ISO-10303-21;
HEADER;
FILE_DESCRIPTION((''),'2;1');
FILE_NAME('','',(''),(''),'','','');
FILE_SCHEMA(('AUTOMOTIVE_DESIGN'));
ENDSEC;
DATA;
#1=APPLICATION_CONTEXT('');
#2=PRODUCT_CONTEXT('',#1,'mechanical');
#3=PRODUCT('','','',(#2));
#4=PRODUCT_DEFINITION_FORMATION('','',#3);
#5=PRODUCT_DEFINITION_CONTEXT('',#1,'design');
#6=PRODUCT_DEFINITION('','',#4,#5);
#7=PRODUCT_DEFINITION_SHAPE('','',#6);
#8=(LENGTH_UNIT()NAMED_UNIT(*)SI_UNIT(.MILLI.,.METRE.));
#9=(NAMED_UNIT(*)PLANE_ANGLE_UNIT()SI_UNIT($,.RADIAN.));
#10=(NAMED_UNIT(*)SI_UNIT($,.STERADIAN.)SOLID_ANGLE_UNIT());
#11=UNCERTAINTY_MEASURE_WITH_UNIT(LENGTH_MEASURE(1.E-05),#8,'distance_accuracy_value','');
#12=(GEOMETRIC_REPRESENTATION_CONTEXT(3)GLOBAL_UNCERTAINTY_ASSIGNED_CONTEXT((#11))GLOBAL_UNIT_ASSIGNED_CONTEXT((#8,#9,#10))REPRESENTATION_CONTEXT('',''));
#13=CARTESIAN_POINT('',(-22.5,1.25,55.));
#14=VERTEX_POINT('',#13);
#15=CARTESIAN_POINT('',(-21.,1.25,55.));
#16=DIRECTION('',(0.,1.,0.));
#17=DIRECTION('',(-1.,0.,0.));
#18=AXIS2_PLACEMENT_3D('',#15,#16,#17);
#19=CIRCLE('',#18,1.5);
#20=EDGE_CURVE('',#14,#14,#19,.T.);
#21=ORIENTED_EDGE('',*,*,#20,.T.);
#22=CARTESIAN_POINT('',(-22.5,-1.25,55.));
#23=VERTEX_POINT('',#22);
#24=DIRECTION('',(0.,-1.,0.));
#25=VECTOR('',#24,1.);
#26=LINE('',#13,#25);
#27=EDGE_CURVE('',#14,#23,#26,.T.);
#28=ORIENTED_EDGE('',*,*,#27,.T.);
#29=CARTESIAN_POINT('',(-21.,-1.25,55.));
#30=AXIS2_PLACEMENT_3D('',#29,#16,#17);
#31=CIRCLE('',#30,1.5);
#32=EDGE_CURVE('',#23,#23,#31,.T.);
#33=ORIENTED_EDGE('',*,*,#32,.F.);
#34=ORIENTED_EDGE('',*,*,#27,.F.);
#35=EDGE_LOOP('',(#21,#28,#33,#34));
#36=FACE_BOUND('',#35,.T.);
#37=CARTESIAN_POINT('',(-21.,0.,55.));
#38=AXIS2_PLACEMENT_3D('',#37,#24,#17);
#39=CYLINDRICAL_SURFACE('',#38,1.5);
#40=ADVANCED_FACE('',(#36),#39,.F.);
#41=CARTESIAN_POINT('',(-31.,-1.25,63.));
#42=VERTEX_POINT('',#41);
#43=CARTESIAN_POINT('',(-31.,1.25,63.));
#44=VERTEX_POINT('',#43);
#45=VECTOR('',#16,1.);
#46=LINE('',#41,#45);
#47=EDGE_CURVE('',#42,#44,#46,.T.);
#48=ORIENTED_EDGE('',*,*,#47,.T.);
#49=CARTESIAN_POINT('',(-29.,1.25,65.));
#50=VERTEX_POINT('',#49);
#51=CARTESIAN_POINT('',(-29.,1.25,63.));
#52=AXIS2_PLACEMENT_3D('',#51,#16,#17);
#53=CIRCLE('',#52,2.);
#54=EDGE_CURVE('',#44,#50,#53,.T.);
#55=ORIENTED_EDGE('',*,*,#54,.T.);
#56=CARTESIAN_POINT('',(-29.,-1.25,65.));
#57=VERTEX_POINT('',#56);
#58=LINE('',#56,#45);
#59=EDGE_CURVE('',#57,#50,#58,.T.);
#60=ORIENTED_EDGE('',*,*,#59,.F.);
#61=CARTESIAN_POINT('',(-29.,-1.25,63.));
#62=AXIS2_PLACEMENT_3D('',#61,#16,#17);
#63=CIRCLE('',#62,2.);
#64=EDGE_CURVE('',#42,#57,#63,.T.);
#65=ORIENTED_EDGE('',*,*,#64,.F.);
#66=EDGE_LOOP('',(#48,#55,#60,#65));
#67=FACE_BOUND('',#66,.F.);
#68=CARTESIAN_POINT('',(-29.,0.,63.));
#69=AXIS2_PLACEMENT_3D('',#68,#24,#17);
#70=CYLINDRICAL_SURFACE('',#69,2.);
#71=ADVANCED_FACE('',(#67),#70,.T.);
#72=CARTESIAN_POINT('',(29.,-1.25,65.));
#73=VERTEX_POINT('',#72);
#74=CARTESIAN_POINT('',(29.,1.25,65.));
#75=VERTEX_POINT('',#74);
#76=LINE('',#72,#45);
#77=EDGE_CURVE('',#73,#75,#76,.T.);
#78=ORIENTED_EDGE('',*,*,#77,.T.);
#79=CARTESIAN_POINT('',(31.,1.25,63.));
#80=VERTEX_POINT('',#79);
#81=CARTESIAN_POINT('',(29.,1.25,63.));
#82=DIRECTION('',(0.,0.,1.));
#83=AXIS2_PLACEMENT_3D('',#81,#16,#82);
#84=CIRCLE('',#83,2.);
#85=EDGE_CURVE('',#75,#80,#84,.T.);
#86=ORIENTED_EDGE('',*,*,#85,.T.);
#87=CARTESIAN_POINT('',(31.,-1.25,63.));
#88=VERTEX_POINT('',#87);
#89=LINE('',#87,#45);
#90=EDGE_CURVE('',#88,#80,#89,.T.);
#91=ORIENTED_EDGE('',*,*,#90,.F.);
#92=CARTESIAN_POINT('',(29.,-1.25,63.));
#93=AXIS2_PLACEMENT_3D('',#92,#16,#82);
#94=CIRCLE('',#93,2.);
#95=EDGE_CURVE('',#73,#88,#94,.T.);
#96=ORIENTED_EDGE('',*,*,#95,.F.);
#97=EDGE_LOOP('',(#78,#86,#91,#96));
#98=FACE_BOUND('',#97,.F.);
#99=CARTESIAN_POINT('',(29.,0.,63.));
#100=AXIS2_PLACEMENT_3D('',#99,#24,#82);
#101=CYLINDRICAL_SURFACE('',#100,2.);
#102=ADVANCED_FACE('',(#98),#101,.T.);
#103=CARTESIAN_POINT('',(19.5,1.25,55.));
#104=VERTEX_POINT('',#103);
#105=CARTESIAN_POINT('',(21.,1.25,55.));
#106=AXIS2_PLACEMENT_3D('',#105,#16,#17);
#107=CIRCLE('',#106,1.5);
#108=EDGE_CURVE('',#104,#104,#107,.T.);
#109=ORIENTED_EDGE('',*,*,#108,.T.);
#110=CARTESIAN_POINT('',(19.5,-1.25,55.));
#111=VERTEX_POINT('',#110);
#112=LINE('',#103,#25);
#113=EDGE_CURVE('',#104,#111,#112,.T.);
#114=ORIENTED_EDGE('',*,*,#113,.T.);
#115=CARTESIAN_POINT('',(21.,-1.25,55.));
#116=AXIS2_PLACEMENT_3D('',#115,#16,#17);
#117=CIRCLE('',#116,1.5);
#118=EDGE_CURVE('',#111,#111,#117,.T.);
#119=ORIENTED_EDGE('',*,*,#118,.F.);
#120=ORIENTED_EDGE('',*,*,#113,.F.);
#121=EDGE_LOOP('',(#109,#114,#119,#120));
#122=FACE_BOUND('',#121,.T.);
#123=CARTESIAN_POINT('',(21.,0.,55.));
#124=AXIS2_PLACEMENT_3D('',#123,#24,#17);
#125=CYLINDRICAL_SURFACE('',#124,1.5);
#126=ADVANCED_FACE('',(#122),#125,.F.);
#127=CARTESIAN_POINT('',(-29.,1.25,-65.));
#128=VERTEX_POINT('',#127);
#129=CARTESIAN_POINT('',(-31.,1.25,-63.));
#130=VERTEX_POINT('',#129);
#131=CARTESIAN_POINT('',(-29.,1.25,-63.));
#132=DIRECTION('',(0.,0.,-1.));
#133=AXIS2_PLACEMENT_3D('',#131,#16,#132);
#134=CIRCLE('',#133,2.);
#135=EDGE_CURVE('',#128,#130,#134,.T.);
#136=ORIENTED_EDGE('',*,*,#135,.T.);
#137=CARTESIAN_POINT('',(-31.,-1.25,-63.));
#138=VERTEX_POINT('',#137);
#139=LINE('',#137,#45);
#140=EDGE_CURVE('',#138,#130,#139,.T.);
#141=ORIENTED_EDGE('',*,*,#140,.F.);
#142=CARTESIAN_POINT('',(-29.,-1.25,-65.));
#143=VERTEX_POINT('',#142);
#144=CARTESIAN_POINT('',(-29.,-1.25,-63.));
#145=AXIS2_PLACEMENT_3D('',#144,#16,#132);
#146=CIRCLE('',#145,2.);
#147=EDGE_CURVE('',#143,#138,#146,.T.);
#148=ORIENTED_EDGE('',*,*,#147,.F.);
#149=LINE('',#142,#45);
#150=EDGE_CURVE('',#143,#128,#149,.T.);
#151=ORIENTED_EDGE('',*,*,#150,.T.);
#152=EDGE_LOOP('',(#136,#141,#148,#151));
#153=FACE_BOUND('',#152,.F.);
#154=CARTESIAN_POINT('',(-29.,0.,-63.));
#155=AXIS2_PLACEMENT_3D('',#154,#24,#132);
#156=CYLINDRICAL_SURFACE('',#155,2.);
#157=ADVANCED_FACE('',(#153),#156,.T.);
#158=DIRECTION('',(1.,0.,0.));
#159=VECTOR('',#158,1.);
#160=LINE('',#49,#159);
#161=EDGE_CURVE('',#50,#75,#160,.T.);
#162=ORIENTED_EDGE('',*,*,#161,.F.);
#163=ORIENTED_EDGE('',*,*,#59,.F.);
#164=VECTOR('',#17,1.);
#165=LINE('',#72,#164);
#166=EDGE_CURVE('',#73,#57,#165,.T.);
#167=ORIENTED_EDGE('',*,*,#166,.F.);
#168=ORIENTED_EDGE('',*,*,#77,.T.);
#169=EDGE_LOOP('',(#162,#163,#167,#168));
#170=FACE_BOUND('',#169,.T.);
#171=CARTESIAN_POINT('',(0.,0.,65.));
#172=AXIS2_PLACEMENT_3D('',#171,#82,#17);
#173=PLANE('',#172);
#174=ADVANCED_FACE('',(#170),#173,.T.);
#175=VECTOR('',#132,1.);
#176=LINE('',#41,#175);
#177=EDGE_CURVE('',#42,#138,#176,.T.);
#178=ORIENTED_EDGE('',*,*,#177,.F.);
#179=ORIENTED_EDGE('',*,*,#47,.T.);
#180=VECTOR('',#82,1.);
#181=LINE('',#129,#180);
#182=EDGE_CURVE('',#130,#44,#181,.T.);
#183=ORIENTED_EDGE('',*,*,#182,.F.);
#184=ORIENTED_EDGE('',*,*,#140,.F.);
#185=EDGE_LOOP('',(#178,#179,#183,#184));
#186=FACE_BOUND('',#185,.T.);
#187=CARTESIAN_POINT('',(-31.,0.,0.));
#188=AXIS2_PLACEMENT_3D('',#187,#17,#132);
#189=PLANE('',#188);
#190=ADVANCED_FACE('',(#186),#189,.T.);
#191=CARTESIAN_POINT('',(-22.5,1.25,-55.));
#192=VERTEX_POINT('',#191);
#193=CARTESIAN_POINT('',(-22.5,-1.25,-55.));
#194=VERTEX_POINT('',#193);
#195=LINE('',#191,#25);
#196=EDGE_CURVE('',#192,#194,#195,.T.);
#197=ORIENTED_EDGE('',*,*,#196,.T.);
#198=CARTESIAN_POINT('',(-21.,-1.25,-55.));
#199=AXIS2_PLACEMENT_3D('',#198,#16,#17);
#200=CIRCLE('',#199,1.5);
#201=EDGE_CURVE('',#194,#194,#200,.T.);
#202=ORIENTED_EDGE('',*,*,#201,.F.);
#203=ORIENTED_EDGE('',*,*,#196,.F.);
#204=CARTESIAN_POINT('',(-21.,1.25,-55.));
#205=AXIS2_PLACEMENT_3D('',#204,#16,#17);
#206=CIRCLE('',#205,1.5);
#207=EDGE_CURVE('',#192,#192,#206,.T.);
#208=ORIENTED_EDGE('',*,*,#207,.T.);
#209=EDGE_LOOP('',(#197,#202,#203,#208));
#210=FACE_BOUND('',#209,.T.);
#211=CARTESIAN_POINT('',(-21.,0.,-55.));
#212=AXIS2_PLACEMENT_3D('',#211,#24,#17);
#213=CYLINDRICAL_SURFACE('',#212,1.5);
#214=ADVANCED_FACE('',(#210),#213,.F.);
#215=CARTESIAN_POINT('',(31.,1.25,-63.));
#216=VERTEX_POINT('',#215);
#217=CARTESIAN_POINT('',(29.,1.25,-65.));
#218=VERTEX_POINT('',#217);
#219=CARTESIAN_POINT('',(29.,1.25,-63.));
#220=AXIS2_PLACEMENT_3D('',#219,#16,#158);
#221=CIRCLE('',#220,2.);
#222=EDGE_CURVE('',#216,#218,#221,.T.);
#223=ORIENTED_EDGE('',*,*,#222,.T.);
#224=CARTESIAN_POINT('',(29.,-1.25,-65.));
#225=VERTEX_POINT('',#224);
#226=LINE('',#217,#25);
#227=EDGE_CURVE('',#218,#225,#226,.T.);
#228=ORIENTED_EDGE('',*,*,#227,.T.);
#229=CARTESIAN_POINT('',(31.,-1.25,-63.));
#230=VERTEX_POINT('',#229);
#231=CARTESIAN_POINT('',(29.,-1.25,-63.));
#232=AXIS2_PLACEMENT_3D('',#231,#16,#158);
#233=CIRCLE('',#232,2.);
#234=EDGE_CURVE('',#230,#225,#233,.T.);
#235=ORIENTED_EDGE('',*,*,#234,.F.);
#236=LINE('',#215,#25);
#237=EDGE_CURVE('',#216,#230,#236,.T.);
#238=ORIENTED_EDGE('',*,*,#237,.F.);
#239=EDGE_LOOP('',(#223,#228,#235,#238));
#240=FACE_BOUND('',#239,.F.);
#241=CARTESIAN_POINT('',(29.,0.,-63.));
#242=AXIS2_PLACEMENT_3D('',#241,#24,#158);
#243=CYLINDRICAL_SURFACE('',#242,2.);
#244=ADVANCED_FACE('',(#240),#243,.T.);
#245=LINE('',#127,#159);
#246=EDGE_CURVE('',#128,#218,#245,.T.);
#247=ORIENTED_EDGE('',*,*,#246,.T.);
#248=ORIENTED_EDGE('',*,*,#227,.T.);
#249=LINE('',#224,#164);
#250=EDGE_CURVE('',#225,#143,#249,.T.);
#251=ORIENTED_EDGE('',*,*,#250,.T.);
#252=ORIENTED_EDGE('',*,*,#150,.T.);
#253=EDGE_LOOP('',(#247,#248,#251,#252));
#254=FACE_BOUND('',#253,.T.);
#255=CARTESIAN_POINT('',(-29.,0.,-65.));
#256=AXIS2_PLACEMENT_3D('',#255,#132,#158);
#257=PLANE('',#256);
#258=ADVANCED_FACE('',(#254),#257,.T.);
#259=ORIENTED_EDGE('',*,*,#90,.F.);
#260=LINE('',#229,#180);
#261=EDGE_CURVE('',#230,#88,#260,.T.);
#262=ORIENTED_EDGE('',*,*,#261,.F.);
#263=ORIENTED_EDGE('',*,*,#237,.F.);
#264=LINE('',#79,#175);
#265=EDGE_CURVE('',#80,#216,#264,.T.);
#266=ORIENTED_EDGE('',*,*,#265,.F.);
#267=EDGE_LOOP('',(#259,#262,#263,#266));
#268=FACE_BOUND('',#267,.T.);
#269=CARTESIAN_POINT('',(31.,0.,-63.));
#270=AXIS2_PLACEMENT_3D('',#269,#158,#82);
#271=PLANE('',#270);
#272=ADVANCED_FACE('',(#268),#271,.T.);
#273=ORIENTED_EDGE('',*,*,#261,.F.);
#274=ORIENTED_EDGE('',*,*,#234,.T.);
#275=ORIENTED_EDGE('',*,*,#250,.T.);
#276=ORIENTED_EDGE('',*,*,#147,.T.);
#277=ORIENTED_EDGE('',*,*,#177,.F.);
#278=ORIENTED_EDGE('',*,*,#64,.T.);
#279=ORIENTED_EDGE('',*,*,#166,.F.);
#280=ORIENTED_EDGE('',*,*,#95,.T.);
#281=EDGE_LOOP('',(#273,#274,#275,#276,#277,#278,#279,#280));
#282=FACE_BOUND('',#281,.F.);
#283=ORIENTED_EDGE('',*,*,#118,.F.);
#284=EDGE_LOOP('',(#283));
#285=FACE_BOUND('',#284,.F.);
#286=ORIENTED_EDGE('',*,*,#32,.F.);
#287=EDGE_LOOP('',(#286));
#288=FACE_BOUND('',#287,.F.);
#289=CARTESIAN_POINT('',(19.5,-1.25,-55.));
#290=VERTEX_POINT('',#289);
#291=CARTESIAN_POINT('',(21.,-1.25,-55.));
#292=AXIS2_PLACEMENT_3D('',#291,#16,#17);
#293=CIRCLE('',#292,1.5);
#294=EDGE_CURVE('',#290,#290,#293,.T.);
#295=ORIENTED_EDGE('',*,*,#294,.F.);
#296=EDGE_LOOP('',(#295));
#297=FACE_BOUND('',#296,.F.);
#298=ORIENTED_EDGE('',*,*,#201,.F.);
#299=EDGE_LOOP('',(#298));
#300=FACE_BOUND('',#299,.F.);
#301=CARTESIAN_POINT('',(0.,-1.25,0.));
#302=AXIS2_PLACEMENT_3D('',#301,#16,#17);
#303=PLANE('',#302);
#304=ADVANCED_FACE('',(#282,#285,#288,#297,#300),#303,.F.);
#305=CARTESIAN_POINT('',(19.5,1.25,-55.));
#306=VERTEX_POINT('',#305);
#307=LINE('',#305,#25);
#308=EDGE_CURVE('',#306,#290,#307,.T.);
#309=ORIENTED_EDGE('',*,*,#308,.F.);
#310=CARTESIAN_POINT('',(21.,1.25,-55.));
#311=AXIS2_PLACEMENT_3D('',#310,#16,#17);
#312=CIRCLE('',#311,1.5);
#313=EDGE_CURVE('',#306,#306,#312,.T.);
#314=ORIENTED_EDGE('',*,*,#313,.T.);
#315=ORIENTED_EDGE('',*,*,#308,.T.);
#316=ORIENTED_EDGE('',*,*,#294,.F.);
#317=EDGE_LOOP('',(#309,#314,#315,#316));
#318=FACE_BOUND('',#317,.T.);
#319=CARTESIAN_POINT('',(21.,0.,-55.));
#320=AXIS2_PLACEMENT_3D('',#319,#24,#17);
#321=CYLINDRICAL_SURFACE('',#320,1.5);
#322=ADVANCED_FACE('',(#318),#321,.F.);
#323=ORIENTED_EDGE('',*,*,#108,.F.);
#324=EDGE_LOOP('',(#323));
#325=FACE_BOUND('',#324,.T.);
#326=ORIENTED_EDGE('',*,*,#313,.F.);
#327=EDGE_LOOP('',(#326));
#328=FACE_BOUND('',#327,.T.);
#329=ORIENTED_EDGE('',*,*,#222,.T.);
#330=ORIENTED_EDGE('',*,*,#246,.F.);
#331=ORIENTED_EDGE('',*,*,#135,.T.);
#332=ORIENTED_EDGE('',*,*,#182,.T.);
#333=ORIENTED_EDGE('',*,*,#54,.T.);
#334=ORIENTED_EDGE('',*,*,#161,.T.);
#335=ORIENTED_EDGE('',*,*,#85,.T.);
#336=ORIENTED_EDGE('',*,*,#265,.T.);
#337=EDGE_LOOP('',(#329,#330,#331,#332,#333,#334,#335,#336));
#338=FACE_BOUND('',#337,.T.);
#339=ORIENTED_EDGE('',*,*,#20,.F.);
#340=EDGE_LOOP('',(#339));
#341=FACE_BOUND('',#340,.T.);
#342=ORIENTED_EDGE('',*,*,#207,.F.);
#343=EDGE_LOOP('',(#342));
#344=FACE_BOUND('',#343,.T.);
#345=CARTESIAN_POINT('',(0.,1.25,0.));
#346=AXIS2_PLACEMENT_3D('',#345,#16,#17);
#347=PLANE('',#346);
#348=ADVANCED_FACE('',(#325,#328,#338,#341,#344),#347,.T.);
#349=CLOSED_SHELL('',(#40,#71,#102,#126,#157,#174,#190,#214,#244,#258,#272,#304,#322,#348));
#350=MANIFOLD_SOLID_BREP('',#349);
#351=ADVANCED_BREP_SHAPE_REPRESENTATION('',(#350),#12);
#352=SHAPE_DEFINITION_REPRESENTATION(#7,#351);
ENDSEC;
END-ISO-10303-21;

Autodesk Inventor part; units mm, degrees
sketch "Tapa" plane through (0, 0, 0) normal (0, 1, 0) x (-1, 0, 0)
  line L0 (29, -65) -> (-29, -65)
  line L1 (-31, -63) -> (-31, 63)
  line L2 (-29, 65) -> (29, 65)
  line L3 (31, 63) -> (31, -63)
  line L4 (0, -91.5799) -> (0, 91.5799) projected
  line L5 (-43.9799, 0) -> (43.9799, 0) projected
  circle A0 centre (21, -55) radius 1.5
  circle A1 centre (-21, -55) radius 1.5
  circle A2 centre (21, 55) radius 1.5
  circle A3 centre (-21, 55) radius 1.5
  arc A4 (29, -65) -> (31, -63) centre (29, -63) ccw
  arc A5 (-31, -63) -> (-29, -65) centre (-29, -63) ccw
  arc A6 (31, 63) -> (29, 65) centre (29, 63) ccw
  arc A7 (-29, 65) -> (-31, 63) centre (-29, 63) ccw
  point P0 (0, 0)
  dimension "d0" = 31
  dimension "d1" = 31
  dimension "d3" = 65
  dimension "d4" = 65
  dimension "d5" = 10
  dimension "d6" = 10
  dimension "d7" = 10
  dimension "d8" = 10
  dimension "d9" = 10
  dimension "d10" = 10
  dimension "d11" = 10
  dimension "d12" = 10
  dimension "d13" = 3
  dimension "d14" = 3
  dimension "d15" = 3
  dimension "d16" = 3
  dimension "d17" = 2
extrude "Extrusión1" add sketch "Tapa" along normal mid plane 2.5
equation "\"d6\" = d5"
equation "\"d7\" = d5"
equation "\"d8\" = d5"
equation "\"d9\" = d5"
equation "\"d10\" = d5"
equation "\"d11\" = d5"
equation "\"d12\" = d5"
equation "\"d14\" = d13"
equation "\"d15\" = d13"
equation "\"d16\" = d13"
properties part number "Resistencia_Tapa" material "Plástico SAN"
